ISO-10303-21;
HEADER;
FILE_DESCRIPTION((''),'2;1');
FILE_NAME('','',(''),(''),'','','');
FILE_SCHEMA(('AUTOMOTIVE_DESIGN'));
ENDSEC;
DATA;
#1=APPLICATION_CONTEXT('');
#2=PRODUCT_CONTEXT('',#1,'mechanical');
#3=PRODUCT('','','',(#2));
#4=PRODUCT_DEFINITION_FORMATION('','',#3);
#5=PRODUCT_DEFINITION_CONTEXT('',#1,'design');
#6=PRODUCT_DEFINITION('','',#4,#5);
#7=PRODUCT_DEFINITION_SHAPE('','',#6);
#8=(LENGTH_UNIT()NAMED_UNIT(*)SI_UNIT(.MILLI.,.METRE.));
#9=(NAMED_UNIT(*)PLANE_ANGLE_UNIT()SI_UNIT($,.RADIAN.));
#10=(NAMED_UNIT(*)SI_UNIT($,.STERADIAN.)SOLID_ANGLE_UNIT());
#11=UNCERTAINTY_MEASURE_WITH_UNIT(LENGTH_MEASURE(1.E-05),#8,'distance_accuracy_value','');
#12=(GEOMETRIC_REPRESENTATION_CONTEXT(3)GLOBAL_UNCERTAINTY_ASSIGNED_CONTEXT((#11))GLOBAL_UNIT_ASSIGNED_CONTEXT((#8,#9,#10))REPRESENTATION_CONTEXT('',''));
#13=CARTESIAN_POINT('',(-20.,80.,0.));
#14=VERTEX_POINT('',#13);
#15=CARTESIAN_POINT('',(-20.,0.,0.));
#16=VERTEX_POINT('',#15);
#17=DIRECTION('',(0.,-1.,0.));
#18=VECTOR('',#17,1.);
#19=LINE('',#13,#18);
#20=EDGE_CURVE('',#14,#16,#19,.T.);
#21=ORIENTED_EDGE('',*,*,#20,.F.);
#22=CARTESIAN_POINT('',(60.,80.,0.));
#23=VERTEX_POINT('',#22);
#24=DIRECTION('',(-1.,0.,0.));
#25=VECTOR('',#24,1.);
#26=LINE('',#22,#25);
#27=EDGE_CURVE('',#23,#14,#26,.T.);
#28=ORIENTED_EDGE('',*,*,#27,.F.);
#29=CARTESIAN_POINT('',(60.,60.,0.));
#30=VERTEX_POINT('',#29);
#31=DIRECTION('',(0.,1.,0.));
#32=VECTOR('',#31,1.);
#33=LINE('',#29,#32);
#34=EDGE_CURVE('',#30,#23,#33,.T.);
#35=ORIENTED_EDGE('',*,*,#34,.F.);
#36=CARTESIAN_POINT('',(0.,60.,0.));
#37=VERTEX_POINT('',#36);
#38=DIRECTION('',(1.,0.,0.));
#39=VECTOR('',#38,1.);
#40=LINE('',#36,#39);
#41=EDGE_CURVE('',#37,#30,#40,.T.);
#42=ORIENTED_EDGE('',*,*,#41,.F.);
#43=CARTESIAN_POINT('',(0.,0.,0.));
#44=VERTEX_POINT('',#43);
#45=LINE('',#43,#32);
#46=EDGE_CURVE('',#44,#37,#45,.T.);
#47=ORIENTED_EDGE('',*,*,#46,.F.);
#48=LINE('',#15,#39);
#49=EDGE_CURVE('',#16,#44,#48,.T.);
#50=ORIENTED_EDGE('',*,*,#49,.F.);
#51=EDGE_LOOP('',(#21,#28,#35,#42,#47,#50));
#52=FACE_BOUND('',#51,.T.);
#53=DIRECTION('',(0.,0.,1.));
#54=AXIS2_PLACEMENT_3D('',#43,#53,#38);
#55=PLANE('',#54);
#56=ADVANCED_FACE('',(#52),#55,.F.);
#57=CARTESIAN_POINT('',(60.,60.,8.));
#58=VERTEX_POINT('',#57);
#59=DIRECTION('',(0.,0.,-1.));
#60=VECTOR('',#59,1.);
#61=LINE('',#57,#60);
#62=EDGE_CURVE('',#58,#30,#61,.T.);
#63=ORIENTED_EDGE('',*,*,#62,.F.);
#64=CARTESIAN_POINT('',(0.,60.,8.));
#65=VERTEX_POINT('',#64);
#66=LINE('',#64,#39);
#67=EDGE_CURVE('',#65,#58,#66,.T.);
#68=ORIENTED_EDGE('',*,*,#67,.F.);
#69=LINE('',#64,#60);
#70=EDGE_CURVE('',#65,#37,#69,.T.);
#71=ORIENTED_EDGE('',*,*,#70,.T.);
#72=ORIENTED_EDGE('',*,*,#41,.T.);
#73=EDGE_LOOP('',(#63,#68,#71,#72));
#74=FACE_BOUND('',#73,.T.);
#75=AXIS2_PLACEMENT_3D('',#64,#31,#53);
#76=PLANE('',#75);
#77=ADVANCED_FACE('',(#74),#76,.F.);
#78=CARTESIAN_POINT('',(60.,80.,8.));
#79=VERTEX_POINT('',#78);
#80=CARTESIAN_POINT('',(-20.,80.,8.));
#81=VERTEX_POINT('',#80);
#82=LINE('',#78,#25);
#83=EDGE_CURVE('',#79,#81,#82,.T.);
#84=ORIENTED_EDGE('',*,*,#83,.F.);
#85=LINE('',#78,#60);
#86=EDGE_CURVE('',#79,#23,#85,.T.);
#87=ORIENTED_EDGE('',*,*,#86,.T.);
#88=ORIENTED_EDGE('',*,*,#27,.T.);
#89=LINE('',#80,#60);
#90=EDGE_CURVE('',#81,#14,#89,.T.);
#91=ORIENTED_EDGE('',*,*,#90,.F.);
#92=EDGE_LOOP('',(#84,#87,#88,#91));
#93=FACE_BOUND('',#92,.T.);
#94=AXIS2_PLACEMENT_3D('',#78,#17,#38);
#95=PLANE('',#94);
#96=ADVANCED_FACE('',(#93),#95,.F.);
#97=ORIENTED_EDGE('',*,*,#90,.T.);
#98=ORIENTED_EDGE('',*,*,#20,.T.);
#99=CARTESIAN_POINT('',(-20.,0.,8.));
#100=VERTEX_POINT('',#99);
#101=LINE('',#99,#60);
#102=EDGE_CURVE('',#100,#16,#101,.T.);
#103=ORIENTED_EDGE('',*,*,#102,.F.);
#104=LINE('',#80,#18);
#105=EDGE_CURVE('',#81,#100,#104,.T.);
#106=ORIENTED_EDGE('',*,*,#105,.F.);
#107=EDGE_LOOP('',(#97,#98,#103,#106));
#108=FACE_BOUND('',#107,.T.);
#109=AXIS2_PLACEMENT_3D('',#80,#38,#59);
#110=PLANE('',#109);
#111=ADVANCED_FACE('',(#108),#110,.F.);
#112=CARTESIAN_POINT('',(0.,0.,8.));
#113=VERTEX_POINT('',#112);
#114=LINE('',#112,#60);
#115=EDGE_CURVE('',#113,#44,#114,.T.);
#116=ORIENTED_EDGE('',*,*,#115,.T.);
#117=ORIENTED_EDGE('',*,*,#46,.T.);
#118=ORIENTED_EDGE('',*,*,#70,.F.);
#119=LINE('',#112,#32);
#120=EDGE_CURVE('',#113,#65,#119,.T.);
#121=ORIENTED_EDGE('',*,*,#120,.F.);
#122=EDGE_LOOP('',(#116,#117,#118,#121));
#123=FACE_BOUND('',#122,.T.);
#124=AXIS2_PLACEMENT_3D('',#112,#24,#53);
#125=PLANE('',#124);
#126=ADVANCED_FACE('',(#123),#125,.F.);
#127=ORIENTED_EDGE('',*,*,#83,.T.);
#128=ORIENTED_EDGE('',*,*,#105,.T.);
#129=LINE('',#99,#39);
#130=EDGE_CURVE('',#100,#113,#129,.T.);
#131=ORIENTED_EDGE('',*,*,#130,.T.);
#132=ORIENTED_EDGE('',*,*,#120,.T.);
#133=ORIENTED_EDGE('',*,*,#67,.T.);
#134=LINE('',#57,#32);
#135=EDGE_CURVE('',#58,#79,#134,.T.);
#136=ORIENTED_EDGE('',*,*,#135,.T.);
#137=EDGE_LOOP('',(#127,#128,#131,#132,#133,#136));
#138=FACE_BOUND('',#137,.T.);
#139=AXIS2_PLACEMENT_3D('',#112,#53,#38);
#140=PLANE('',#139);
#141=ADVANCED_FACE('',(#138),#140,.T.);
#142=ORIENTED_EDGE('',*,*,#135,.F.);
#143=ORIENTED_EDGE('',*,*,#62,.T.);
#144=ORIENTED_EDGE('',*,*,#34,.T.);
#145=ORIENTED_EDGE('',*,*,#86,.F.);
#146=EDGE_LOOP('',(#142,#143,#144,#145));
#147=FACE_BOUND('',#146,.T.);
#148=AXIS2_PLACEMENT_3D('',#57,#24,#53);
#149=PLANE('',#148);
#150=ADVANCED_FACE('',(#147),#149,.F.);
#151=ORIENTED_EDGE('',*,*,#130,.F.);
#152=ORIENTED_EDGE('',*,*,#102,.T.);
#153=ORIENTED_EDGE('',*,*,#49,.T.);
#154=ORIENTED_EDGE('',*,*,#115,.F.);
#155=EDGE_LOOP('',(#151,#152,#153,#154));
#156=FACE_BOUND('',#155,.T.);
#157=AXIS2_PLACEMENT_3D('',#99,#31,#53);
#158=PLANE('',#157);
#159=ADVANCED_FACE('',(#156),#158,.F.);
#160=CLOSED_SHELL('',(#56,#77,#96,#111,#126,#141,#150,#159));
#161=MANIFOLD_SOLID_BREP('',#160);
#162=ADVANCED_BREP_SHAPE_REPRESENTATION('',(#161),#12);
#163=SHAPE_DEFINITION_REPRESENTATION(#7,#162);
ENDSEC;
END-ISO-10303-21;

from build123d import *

# Parameters (mm, degrees)
BOSS_EXTRU_1_DEPTH = 8


with BuildPart() as part:
    # Esquisse1 → Boss.-Extru.1 (new body)
    with BuildSketch(Plane.XY):
        Polygon((0, 0), (0, 60), (60, 60), (60, 80), (-20, 80), (-20, 0), align=None)
    extrude(amount=BOSS_EXTRU_1_DEPTH)


solid = part.part
